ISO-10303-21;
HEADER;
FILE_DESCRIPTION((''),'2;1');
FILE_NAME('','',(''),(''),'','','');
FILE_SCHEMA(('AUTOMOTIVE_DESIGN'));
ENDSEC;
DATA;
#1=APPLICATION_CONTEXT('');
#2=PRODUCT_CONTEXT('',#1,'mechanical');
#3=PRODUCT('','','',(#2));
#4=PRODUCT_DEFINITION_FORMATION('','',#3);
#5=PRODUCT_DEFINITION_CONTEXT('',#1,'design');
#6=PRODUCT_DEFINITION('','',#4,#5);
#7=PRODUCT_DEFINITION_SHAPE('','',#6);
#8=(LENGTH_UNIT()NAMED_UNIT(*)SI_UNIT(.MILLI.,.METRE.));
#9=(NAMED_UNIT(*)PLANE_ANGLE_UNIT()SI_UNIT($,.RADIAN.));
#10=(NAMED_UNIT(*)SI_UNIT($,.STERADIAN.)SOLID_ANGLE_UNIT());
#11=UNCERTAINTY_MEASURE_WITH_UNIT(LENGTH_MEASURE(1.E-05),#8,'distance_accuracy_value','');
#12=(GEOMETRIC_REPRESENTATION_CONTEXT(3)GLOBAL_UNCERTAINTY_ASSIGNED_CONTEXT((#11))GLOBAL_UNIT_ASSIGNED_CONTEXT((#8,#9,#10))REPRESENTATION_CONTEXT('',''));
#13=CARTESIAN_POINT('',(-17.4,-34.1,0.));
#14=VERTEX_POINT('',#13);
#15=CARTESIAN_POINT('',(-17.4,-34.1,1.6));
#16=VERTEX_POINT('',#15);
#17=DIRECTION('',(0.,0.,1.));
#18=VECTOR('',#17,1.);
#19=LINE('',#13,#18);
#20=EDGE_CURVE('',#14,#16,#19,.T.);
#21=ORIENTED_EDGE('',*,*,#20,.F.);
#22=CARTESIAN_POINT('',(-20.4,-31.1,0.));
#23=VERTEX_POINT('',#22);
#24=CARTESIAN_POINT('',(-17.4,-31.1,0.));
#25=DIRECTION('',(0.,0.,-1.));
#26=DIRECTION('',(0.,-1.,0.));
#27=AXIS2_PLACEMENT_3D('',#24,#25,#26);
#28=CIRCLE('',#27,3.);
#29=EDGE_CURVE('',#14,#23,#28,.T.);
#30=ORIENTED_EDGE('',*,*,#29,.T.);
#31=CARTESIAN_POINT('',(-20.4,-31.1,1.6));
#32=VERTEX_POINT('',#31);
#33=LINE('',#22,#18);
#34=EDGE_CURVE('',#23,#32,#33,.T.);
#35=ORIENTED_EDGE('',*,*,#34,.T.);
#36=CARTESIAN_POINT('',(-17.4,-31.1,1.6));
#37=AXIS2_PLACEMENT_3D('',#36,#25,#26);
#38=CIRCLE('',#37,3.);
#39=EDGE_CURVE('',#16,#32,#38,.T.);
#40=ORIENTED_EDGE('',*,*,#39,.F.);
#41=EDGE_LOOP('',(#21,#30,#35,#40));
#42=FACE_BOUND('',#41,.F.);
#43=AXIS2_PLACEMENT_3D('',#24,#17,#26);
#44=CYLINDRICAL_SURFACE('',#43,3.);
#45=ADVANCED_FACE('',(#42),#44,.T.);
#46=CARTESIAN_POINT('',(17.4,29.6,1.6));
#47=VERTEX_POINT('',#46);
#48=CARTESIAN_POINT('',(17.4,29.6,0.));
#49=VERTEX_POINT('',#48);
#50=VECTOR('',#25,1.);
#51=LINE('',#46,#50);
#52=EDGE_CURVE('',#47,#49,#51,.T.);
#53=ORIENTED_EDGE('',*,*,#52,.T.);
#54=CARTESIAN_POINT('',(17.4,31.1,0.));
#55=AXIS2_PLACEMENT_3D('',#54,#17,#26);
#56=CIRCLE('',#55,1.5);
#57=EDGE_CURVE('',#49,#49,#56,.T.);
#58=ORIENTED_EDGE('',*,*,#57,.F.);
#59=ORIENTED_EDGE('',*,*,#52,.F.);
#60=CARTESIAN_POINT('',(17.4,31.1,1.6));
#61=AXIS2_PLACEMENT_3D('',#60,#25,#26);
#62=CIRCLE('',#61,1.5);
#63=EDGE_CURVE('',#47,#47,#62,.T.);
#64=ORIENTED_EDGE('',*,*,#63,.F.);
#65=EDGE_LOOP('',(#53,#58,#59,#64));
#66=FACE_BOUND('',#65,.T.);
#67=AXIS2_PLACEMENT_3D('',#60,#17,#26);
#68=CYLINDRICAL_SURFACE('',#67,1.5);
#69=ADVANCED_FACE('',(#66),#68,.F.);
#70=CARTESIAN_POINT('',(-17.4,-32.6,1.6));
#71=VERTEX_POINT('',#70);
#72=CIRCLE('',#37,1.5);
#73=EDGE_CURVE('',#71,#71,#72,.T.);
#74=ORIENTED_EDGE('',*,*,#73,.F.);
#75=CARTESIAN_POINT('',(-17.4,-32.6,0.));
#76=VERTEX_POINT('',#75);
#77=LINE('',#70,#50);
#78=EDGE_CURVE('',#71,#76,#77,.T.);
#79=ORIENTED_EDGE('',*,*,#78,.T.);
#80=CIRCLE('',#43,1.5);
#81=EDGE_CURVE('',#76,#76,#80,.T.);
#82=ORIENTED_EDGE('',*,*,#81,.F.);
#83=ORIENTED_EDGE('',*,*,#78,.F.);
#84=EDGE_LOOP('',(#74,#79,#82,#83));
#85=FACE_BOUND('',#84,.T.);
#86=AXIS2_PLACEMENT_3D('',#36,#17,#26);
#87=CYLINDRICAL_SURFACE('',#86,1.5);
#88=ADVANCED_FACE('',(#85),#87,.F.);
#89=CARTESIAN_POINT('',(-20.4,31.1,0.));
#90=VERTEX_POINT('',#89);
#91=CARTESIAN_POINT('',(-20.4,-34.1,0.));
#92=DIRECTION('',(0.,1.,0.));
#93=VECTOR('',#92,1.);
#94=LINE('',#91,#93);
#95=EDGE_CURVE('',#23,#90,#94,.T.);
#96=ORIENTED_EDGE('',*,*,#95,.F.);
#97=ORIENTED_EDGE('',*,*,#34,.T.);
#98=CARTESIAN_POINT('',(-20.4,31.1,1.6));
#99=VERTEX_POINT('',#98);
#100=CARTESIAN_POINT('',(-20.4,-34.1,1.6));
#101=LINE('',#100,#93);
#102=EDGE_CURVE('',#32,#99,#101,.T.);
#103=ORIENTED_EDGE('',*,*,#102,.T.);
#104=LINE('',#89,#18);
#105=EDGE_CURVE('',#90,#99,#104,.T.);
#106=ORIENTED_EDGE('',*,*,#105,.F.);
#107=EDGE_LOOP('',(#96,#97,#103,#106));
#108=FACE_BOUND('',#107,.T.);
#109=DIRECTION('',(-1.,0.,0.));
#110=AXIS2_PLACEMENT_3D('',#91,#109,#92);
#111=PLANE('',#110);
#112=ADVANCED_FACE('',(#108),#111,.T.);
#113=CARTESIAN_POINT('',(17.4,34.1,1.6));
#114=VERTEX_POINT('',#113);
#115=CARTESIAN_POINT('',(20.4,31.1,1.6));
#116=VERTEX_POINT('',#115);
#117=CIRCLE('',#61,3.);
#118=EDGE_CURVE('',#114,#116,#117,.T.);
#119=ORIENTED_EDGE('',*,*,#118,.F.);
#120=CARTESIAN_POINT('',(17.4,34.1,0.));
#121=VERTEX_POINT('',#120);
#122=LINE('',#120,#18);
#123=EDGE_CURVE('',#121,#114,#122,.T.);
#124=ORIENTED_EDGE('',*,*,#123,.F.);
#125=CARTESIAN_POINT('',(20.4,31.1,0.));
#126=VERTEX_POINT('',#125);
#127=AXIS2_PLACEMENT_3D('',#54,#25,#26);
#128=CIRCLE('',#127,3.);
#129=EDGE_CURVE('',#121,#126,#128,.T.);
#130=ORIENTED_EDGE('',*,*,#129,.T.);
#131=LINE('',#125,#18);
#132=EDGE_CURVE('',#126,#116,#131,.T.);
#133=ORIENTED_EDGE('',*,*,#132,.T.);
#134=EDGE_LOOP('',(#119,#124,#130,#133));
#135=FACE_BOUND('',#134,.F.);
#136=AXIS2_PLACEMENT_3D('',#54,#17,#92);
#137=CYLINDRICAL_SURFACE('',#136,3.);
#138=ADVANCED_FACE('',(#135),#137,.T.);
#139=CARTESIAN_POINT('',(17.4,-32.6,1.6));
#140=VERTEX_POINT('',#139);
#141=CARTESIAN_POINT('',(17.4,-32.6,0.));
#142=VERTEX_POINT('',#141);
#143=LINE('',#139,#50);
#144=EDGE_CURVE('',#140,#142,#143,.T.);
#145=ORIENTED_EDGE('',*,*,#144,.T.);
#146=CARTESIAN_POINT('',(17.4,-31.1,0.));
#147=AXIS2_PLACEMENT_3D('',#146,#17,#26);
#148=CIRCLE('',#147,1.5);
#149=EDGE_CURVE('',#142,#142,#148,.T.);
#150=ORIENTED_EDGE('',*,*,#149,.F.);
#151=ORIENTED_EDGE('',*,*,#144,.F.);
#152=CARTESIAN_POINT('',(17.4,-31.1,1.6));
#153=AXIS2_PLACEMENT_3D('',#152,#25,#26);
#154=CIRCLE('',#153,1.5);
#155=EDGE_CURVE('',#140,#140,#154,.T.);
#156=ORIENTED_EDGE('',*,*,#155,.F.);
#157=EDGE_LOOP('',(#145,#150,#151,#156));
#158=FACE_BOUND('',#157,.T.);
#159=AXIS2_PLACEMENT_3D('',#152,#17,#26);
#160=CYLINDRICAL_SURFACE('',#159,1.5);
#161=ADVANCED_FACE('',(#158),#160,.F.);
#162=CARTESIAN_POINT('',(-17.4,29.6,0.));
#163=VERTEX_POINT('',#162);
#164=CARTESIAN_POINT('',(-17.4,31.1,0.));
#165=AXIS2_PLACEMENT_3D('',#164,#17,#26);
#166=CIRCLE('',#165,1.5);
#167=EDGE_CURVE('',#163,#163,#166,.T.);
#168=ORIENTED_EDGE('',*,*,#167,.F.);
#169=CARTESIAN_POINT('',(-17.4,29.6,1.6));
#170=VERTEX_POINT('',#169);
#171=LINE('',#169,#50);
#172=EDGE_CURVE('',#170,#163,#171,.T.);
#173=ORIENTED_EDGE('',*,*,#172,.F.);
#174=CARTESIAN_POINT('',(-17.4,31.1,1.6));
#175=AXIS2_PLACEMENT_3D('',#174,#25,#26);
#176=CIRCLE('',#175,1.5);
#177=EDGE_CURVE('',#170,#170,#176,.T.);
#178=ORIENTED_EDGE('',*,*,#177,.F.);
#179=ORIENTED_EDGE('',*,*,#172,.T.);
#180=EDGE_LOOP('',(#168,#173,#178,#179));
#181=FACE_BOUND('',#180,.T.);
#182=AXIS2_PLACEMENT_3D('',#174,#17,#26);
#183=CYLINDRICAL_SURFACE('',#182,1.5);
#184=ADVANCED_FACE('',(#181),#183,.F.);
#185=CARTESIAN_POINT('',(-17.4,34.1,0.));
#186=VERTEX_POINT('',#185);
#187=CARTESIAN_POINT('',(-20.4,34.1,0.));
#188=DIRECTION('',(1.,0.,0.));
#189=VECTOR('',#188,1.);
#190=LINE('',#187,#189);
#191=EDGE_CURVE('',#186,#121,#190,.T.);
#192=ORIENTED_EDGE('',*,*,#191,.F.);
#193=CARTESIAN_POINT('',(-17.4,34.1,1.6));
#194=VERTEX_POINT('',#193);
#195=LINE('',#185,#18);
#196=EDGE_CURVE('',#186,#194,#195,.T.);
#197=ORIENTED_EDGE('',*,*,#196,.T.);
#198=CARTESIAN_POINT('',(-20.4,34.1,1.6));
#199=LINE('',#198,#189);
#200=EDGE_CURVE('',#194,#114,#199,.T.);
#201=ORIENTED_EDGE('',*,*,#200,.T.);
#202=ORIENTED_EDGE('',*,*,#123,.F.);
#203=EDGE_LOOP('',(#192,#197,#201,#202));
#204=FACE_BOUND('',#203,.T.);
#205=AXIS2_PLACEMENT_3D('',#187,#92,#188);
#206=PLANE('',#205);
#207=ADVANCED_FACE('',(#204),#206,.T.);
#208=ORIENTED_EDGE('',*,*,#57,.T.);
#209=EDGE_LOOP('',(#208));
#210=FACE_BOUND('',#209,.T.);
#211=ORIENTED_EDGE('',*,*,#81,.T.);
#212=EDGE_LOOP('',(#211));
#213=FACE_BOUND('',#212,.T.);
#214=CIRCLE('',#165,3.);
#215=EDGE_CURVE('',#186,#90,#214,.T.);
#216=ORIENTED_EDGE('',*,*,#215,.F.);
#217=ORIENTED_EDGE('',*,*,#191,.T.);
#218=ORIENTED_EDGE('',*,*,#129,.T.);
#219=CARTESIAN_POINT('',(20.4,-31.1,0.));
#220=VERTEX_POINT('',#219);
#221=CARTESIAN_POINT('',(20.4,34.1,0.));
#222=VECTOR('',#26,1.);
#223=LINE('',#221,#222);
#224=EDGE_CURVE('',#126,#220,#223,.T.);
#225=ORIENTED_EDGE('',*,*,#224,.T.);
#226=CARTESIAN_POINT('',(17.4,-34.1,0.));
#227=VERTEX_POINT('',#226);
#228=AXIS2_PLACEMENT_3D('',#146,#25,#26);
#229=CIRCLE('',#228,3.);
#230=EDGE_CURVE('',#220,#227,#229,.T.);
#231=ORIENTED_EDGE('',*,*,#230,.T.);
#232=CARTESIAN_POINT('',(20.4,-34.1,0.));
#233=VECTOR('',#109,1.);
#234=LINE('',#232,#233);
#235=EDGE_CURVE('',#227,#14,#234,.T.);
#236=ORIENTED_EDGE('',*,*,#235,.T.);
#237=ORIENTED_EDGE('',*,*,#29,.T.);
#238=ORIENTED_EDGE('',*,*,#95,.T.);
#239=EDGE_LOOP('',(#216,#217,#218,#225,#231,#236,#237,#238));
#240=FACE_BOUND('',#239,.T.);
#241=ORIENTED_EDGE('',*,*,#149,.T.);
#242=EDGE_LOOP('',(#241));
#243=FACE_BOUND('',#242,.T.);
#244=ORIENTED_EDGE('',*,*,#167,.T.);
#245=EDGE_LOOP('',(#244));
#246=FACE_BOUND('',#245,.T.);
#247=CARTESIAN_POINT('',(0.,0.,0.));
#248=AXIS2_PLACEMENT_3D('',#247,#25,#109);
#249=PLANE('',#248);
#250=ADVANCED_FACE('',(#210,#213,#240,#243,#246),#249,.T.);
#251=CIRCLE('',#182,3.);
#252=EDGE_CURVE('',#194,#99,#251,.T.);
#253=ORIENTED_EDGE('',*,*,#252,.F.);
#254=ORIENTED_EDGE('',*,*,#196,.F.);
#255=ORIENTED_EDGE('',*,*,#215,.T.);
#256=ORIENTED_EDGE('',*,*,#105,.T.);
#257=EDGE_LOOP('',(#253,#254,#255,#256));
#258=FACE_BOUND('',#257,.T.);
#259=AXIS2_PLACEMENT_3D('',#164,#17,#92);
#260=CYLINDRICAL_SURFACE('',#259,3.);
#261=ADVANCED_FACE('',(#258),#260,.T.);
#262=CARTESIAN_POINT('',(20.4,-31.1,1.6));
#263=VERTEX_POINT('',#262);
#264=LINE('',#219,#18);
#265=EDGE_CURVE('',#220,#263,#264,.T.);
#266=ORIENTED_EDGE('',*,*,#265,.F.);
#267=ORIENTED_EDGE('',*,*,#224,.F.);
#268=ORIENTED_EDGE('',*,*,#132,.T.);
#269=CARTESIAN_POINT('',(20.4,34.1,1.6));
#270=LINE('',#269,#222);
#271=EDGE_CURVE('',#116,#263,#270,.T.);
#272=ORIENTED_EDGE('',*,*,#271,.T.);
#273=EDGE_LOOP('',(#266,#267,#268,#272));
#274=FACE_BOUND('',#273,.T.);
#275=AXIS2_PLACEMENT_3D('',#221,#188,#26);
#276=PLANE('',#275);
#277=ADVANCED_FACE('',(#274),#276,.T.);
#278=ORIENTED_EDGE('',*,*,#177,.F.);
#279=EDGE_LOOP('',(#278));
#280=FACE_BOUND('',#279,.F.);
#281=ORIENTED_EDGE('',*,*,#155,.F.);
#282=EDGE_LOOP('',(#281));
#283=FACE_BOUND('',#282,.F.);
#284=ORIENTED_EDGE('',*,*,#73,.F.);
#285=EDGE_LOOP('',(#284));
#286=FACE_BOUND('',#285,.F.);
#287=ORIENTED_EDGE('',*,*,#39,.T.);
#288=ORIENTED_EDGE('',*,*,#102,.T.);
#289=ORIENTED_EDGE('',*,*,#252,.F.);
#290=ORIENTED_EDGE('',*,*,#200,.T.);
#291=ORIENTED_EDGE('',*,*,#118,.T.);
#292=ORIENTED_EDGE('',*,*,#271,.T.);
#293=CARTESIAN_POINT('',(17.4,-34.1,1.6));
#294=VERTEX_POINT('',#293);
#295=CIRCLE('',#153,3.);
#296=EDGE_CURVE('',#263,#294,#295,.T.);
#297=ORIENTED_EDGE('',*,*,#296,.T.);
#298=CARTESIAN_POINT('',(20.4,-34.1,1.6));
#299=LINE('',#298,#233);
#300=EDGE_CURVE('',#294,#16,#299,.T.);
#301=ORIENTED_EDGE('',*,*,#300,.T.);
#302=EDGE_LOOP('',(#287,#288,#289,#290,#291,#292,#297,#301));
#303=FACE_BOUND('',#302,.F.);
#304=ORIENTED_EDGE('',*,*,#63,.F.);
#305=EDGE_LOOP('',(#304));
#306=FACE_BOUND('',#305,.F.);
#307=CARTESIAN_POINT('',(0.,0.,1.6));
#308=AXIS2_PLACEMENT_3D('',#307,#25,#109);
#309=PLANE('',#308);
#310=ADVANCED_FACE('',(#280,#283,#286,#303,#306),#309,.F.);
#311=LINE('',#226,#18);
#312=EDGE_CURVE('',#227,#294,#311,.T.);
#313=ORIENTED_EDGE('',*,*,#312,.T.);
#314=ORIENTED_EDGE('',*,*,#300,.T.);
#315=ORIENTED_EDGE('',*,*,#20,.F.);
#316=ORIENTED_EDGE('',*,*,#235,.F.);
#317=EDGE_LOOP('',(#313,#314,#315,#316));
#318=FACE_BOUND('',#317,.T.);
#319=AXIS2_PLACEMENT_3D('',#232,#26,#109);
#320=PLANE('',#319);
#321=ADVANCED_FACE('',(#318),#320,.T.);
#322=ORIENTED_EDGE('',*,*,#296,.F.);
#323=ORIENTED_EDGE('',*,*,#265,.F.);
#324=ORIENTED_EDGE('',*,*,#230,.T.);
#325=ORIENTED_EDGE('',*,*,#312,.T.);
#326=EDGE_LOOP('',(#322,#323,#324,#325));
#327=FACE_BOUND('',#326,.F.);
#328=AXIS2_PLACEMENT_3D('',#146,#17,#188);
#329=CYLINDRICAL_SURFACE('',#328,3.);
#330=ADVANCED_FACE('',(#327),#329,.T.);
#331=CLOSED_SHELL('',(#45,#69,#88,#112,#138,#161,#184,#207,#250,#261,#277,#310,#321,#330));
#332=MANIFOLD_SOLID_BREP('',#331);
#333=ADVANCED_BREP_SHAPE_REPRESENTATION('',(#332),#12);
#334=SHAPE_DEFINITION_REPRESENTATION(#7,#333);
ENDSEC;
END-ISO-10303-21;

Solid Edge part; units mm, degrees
sketch "Sketch1" plane through (0, 0, 0) normal (0, 0, 1) x (1, 0, 0)
  line L0 (-20.4, 34.1) -> (20.4, 34.1)
  line L1 (20.4, 34.1) -> (20.4, -34.1)
  line L2 (20.4, -34.1) -> (-20.4, -34.1)
  line L3 (-20.4, -34.1) -> (-20.4, 34.1)
  dimension "D1" = 68.2
  dimension "D2" = 40.8
extrude "Protrusion1" add sketch "Sketch1" along normal blind 1.6
fillet "Round_1" radius 3 4 edges at (20.4, -34.1, 0.8) (20.4, 34.1, 0.8) (-20.4, 34.1, 0.8) (-20.4, -34.1, 0.8)
hole "Hole_1" at (-17.4, 31.1, 1.6) direction (0, 0, -1) diameter 3 end up to next
hole "Hole1" at (17.4, 31.1, 1.6) direction (0, 0, -1) diameter 3 end up to next
hole "Hole2" at (17.4, -31.1, 1.6) direction (0, 0, -1) diameter 3 end up to next
hole "Hole3" at (-17.4, -31.1, 1.6) direction (0, 0, -1) diameter 3 end up to next
